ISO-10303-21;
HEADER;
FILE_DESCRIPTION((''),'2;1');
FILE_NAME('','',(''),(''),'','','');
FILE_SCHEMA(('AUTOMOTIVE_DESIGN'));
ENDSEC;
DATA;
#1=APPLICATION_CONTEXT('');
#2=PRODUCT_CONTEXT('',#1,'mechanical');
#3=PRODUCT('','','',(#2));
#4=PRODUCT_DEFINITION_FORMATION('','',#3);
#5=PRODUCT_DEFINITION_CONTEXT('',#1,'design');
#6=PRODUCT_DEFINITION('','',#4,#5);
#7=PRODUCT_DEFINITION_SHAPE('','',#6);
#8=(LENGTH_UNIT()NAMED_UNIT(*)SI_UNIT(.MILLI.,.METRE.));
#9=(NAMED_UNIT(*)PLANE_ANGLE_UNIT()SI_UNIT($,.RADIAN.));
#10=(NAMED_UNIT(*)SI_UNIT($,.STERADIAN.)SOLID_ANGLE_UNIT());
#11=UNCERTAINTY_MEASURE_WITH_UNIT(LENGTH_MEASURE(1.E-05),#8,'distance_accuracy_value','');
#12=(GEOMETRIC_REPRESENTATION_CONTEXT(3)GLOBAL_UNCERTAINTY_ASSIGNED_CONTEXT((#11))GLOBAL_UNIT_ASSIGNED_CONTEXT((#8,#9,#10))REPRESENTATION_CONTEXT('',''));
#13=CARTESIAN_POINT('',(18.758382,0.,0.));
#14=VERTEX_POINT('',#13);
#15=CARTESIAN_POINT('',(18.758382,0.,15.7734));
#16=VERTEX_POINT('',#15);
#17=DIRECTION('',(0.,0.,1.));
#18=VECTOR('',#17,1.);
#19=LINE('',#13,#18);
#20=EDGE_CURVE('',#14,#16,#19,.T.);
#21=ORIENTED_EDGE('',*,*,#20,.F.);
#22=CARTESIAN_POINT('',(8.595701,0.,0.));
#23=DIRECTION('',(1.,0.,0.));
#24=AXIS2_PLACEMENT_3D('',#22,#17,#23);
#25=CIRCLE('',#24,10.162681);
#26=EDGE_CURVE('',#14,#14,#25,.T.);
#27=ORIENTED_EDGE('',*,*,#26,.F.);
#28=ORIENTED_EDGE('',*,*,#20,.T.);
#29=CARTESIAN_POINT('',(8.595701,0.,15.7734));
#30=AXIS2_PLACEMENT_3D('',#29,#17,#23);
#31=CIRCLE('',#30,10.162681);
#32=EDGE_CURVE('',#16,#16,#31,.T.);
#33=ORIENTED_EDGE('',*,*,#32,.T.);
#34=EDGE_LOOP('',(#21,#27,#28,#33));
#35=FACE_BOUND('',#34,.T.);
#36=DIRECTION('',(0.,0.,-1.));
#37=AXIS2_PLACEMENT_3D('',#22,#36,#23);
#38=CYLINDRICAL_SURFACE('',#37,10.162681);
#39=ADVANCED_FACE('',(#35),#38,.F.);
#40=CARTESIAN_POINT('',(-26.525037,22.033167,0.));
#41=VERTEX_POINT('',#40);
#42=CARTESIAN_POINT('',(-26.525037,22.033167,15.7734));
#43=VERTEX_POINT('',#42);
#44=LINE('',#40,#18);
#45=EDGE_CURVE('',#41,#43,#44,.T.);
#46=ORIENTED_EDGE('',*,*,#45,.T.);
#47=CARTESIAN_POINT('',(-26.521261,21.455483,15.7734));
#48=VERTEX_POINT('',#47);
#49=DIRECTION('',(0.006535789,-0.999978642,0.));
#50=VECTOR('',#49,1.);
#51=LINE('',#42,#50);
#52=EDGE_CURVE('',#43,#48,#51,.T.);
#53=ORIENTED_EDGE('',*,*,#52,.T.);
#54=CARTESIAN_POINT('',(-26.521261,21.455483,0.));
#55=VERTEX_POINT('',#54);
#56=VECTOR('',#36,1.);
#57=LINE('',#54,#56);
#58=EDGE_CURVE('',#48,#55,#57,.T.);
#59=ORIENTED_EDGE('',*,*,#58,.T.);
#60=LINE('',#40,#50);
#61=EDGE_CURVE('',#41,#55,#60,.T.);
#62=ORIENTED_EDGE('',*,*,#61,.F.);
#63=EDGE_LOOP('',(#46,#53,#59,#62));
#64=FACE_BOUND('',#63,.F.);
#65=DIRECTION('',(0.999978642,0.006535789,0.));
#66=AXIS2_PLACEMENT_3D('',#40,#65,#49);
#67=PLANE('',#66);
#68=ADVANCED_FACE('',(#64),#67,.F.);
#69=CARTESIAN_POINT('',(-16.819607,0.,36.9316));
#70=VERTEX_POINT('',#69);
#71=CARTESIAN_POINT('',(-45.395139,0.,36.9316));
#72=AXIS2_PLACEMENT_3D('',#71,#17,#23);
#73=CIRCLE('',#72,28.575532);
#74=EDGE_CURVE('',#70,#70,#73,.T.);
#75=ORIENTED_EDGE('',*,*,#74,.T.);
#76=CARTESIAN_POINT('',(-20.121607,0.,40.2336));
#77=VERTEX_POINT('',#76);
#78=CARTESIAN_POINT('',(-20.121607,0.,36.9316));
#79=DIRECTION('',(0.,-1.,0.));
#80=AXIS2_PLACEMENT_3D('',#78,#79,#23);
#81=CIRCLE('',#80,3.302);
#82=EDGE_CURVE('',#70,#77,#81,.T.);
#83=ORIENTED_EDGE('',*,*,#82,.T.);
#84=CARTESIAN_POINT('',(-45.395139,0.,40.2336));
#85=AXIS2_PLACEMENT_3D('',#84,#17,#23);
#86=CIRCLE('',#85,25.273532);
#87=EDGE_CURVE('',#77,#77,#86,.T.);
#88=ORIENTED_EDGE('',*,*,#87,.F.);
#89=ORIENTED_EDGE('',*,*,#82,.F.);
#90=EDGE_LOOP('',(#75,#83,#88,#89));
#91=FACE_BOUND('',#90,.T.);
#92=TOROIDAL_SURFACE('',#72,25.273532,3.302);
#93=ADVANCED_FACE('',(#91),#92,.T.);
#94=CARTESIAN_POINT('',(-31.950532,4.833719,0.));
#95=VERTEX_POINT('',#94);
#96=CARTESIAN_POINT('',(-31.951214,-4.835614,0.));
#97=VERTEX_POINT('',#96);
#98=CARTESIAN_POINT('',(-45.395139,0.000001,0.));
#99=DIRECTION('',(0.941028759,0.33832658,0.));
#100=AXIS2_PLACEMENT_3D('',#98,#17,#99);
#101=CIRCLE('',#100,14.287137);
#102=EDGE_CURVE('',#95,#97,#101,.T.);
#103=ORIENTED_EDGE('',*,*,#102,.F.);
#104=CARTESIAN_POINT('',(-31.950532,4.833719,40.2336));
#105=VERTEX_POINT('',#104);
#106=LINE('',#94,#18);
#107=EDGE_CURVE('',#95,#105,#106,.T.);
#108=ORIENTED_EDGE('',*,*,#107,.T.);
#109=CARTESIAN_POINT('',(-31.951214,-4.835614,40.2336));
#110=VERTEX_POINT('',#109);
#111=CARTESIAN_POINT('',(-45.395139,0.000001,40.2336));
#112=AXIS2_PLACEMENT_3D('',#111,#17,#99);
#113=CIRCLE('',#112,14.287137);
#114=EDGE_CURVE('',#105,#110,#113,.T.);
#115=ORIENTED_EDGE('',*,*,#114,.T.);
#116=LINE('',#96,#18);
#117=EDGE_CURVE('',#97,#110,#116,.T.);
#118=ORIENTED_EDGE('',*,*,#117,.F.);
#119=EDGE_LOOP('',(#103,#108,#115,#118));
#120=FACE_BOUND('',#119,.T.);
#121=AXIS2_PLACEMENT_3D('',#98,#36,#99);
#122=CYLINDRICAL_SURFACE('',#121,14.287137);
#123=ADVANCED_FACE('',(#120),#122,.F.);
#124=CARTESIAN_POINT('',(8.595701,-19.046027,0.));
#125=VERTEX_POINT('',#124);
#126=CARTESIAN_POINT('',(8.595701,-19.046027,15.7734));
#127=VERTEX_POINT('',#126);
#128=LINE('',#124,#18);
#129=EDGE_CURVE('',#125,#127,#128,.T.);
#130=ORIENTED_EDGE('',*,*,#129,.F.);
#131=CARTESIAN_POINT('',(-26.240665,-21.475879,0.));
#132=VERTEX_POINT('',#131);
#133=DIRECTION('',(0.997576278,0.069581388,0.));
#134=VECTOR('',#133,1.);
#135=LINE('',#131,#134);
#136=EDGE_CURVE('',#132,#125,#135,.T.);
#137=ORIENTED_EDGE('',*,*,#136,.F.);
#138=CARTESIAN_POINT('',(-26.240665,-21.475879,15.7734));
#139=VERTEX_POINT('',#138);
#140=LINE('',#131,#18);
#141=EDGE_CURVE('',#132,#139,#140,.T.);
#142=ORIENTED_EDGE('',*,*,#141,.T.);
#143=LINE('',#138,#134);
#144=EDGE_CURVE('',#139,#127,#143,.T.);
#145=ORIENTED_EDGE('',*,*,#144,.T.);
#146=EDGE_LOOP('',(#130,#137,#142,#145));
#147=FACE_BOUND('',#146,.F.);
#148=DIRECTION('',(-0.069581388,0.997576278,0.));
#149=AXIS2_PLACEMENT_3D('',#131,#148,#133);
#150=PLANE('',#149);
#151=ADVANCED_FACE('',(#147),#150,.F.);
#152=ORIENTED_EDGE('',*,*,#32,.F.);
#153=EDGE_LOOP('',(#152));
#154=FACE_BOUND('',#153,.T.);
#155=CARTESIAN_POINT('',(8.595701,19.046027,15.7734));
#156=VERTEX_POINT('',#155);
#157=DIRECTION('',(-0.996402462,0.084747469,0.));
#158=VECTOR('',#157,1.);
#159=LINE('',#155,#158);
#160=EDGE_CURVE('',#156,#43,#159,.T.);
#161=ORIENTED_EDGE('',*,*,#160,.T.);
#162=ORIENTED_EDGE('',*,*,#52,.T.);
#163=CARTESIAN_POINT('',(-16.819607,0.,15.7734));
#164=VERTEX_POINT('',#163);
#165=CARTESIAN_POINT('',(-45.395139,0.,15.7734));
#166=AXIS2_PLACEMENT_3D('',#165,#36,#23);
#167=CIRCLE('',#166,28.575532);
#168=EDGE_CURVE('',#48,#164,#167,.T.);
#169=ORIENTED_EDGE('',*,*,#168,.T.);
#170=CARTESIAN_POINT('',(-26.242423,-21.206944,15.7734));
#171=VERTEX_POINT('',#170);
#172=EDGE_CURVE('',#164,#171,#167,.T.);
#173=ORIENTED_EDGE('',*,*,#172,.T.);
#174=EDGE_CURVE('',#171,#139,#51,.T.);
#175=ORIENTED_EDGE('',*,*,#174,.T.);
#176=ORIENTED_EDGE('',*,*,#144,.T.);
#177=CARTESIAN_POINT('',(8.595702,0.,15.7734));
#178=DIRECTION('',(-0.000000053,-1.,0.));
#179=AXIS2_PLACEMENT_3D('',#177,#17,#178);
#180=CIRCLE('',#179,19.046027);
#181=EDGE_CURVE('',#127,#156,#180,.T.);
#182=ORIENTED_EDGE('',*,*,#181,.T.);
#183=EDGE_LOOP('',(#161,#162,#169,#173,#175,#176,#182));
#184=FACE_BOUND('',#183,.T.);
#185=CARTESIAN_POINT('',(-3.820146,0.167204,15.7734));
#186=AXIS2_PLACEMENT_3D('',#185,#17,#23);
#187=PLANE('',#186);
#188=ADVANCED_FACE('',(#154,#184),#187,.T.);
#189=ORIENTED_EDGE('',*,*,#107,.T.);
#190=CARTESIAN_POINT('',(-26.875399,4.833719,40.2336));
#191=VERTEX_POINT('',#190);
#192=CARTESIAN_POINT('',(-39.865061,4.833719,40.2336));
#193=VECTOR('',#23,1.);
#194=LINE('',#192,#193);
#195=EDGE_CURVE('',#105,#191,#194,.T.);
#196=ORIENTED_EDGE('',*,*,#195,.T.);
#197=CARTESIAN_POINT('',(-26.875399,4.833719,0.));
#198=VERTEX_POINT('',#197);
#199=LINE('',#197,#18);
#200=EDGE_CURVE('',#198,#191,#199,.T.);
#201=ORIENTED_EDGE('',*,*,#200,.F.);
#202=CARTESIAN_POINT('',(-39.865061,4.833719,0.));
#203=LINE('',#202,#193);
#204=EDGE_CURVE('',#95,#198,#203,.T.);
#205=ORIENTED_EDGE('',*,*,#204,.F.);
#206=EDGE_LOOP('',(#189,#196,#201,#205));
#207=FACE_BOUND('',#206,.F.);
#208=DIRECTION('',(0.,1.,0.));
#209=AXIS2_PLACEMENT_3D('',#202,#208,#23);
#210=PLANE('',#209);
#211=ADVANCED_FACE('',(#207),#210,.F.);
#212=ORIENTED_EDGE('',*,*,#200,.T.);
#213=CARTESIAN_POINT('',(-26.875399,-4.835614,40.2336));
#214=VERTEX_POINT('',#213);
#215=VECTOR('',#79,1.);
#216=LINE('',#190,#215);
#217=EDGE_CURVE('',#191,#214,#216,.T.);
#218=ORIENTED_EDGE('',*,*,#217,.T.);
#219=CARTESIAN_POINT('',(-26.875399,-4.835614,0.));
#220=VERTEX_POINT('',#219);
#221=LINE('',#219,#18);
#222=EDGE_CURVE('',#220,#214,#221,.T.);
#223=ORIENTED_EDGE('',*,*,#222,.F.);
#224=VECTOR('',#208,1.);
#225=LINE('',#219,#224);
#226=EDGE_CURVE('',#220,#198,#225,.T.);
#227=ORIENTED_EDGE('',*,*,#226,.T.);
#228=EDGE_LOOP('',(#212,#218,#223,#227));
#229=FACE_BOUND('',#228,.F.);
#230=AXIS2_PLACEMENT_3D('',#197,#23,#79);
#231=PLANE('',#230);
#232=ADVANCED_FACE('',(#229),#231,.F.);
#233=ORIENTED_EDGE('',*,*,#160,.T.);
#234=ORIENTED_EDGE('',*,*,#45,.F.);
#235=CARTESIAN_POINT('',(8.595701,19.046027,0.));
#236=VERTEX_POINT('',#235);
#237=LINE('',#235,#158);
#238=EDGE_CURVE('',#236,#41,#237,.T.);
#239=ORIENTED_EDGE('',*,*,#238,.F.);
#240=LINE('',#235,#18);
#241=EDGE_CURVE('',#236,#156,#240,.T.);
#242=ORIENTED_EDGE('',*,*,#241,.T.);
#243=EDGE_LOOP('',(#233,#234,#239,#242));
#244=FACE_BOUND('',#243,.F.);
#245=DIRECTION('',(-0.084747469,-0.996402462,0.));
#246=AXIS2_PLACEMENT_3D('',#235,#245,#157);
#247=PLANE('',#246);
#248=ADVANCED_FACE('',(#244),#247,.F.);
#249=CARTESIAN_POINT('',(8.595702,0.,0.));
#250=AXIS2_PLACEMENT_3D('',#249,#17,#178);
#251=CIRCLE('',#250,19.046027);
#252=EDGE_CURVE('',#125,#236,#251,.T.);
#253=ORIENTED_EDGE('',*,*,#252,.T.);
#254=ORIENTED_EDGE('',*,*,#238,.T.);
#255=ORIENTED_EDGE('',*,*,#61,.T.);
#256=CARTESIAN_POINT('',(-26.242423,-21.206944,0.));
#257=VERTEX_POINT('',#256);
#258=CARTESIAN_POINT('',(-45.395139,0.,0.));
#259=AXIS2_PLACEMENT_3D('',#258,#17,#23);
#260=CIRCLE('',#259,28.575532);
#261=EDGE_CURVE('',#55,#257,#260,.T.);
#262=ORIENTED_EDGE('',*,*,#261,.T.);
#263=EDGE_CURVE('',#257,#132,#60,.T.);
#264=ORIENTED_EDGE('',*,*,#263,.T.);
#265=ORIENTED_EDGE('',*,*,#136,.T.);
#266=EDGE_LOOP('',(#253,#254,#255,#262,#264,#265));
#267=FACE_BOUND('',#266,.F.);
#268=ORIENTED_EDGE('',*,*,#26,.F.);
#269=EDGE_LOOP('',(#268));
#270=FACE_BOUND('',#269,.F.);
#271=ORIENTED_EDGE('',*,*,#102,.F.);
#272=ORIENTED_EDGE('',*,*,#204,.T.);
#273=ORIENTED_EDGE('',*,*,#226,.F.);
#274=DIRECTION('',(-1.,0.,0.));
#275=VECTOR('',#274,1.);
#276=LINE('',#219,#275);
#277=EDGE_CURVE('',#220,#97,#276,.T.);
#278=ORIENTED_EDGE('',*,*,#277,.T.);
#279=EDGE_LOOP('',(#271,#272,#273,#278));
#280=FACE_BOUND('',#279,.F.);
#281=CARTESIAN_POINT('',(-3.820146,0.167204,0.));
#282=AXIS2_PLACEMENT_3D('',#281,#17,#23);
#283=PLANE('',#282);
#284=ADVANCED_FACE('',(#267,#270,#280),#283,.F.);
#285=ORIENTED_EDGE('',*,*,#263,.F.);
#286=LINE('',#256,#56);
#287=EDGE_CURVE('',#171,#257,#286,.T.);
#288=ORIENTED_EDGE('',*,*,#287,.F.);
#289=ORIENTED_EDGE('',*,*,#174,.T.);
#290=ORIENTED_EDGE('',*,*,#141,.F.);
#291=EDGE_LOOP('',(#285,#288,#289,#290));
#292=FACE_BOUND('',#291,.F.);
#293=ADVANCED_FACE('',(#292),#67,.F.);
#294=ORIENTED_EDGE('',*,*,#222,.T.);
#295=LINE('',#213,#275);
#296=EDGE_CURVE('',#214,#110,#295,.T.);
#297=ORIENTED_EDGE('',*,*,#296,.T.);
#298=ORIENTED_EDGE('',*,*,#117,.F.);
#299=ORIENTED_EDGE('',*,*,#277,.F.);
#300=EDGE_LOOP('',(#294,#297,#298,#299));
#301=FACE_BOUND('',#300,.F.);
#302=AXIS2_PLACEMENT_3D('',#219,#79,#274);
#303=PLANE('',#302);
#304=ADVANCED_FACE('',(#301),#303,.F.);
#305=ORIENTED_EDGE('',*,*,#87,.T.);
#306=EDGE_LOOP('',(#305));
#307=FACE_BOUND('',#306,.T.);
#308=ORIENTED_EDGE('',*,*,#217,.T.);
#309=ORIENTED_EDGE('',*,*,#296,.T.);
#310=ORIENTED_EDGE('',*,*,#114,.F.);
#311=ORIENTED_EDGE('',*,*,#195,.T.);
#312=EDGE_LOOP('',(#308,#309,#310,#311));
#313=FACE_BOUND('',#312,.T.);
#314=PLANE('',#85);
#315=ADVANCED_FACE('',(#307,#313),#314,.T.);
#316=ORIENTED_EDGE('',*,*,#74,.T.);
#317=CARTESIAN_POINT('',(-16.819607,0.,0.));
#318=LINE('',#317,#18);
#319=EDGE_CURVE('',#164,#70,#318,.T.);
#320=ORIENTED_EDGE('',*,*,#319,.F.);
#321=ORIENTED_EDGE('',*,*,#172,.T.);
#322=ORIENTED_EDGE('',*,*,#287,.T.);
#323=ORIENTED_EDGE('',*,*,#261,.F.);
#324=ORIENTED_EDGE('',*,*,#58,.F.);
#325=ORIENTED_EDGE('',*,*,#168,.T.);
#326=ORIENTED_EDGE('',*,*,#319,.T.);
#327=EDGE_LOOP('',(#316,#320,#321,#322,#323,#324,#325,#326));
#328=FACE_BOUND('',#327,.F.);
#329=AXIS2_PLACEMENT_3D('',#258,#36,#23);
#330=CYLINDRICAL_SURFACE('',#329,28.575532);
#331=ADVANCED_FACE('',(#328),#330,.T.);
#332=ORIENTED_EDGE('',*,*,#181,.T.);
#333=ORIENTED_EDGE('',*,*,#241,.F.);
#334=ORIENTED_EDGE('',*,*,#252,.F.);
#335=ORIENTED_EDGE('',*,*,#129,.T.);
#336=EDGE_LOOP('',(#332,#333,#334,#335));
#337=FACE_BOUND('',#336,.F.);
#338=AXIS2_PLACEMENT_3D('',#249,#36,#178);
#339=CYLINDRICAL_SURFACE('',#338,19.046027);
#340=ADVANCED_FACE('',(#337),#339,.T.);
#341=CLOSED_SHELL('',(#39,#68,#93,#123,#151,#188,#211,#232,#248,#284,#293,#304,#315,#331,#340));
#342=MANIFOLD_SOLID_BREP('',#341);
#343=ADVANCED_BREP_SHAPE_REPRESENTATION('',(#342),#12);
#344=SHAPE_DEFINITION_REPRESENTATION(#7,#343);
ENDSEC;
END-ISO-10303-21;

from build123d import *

# Parameters (mm, degrees)
F0_R     = 28.575532
F1_DEPTH = 40.2336
F2_DEPTH = 40.2336
F3_R     = 3.302
F4_R     = 10.162681
F5_DEPTH = 15.7734


with BuildPart() as f1:
    # F0 (on Top) → F1 (new body)
    with BuildSketch(Plane.XY):
        with Locations((-45.395139, 0)):
            Circle(F0_R)
        with BuildLine():
            Line((-26.875399, 4.833719), (-26.875399, 0))
            Line((-26.875399, 0), (-26.875399, -4.835614))
            Line((-26.875399, -4.835614), (-31.951214, -4.835614))
            ThreePointArc((-31.951214, -4.835614), (-59.682276, 0.001007), (-31.950532, 4.833719))
            Line((-31.950532, 4.833719), (-26.875399, 4.833719))
        make_face(mode=Mode.SUBTRACT)
        with BuildLine():
            Line((-39.865061, 4.833719), (-31.950532, 4.833719))
            ThreePointArc((-31.950532, 4.833719), (-59.682276, 0.001007), (-31.951214, -4.835614))
            Line((-31.951214, -4.835614), (-39.865061, -4.835614))
            Line((-39.865061, -4.835614), (-39.865061, 0))
            Line((-39.865061, 0), (-39.865061, 4.833719))
        make_face()
    extrude(amount=F1_DEPTH)

    # F0 (on Top) → F2 (cut)
    with BuildSketch(Plane.XY):
        with BuildLine():
            Line((-31.108002, 0), (-26.875399, 0))
            Line((-26.875399, 0), (-26.875399, 4.833719))
            Line((-26.875399, 4.833719), (-31.950532, 4.833719))
            ThreePointArc((-31.950532, 4.833719), (-31.320211, 2.453298), (-31.108002, 0))
        make_face()
        with BuildLine():
            Line((-39.865061, 4.833719), (-31.950532, 4.833719))
            ThreePointArc((-31.950532, 4.833719), (-59.682276, 0.001007), (-31.951214, -4.835614))
            Line((-31.951214, -4.835614), (-39.865061, -4.835614))
            Line((-39.865061, -4.835614), (-39.865061, 0))
            Line((-39.865061, 0), (-39.865061, 4.833719))
        make_face()
    extrude(amount=F2_DEPTH, mode=Mode.SUBTRACT)

    # F3
    f3_edges = [f1.edges().sort_by_distance(p)[0] for p in [
        (-73.970671, 0, 40.2336),
    ]]
    fillet(f3_edges, radius=F3_R)

    # F4 (on Top) → F5 (join)
    with BuildSketch(Plane.XY):
        with BuildLine():
            Line((8.595701, 19.046027), (-26.525037, 22.033167))
            Line((-26.525037, 22.033167), (-26.240665, -21.475879))
            Line((-26.240665, -21.475879), (8.595701, -19.046027))
            ThreePointArc((8.595701, -19.046027), (27.641729, 0), (8.595701, 19.046027))
        make_face()
        with Locations((8.595701, 0)):
            Circle(F4_R, mode=Mode.SUBTRACT)
    extrude(amount=F5_DEPTH)


solid = f1.part
